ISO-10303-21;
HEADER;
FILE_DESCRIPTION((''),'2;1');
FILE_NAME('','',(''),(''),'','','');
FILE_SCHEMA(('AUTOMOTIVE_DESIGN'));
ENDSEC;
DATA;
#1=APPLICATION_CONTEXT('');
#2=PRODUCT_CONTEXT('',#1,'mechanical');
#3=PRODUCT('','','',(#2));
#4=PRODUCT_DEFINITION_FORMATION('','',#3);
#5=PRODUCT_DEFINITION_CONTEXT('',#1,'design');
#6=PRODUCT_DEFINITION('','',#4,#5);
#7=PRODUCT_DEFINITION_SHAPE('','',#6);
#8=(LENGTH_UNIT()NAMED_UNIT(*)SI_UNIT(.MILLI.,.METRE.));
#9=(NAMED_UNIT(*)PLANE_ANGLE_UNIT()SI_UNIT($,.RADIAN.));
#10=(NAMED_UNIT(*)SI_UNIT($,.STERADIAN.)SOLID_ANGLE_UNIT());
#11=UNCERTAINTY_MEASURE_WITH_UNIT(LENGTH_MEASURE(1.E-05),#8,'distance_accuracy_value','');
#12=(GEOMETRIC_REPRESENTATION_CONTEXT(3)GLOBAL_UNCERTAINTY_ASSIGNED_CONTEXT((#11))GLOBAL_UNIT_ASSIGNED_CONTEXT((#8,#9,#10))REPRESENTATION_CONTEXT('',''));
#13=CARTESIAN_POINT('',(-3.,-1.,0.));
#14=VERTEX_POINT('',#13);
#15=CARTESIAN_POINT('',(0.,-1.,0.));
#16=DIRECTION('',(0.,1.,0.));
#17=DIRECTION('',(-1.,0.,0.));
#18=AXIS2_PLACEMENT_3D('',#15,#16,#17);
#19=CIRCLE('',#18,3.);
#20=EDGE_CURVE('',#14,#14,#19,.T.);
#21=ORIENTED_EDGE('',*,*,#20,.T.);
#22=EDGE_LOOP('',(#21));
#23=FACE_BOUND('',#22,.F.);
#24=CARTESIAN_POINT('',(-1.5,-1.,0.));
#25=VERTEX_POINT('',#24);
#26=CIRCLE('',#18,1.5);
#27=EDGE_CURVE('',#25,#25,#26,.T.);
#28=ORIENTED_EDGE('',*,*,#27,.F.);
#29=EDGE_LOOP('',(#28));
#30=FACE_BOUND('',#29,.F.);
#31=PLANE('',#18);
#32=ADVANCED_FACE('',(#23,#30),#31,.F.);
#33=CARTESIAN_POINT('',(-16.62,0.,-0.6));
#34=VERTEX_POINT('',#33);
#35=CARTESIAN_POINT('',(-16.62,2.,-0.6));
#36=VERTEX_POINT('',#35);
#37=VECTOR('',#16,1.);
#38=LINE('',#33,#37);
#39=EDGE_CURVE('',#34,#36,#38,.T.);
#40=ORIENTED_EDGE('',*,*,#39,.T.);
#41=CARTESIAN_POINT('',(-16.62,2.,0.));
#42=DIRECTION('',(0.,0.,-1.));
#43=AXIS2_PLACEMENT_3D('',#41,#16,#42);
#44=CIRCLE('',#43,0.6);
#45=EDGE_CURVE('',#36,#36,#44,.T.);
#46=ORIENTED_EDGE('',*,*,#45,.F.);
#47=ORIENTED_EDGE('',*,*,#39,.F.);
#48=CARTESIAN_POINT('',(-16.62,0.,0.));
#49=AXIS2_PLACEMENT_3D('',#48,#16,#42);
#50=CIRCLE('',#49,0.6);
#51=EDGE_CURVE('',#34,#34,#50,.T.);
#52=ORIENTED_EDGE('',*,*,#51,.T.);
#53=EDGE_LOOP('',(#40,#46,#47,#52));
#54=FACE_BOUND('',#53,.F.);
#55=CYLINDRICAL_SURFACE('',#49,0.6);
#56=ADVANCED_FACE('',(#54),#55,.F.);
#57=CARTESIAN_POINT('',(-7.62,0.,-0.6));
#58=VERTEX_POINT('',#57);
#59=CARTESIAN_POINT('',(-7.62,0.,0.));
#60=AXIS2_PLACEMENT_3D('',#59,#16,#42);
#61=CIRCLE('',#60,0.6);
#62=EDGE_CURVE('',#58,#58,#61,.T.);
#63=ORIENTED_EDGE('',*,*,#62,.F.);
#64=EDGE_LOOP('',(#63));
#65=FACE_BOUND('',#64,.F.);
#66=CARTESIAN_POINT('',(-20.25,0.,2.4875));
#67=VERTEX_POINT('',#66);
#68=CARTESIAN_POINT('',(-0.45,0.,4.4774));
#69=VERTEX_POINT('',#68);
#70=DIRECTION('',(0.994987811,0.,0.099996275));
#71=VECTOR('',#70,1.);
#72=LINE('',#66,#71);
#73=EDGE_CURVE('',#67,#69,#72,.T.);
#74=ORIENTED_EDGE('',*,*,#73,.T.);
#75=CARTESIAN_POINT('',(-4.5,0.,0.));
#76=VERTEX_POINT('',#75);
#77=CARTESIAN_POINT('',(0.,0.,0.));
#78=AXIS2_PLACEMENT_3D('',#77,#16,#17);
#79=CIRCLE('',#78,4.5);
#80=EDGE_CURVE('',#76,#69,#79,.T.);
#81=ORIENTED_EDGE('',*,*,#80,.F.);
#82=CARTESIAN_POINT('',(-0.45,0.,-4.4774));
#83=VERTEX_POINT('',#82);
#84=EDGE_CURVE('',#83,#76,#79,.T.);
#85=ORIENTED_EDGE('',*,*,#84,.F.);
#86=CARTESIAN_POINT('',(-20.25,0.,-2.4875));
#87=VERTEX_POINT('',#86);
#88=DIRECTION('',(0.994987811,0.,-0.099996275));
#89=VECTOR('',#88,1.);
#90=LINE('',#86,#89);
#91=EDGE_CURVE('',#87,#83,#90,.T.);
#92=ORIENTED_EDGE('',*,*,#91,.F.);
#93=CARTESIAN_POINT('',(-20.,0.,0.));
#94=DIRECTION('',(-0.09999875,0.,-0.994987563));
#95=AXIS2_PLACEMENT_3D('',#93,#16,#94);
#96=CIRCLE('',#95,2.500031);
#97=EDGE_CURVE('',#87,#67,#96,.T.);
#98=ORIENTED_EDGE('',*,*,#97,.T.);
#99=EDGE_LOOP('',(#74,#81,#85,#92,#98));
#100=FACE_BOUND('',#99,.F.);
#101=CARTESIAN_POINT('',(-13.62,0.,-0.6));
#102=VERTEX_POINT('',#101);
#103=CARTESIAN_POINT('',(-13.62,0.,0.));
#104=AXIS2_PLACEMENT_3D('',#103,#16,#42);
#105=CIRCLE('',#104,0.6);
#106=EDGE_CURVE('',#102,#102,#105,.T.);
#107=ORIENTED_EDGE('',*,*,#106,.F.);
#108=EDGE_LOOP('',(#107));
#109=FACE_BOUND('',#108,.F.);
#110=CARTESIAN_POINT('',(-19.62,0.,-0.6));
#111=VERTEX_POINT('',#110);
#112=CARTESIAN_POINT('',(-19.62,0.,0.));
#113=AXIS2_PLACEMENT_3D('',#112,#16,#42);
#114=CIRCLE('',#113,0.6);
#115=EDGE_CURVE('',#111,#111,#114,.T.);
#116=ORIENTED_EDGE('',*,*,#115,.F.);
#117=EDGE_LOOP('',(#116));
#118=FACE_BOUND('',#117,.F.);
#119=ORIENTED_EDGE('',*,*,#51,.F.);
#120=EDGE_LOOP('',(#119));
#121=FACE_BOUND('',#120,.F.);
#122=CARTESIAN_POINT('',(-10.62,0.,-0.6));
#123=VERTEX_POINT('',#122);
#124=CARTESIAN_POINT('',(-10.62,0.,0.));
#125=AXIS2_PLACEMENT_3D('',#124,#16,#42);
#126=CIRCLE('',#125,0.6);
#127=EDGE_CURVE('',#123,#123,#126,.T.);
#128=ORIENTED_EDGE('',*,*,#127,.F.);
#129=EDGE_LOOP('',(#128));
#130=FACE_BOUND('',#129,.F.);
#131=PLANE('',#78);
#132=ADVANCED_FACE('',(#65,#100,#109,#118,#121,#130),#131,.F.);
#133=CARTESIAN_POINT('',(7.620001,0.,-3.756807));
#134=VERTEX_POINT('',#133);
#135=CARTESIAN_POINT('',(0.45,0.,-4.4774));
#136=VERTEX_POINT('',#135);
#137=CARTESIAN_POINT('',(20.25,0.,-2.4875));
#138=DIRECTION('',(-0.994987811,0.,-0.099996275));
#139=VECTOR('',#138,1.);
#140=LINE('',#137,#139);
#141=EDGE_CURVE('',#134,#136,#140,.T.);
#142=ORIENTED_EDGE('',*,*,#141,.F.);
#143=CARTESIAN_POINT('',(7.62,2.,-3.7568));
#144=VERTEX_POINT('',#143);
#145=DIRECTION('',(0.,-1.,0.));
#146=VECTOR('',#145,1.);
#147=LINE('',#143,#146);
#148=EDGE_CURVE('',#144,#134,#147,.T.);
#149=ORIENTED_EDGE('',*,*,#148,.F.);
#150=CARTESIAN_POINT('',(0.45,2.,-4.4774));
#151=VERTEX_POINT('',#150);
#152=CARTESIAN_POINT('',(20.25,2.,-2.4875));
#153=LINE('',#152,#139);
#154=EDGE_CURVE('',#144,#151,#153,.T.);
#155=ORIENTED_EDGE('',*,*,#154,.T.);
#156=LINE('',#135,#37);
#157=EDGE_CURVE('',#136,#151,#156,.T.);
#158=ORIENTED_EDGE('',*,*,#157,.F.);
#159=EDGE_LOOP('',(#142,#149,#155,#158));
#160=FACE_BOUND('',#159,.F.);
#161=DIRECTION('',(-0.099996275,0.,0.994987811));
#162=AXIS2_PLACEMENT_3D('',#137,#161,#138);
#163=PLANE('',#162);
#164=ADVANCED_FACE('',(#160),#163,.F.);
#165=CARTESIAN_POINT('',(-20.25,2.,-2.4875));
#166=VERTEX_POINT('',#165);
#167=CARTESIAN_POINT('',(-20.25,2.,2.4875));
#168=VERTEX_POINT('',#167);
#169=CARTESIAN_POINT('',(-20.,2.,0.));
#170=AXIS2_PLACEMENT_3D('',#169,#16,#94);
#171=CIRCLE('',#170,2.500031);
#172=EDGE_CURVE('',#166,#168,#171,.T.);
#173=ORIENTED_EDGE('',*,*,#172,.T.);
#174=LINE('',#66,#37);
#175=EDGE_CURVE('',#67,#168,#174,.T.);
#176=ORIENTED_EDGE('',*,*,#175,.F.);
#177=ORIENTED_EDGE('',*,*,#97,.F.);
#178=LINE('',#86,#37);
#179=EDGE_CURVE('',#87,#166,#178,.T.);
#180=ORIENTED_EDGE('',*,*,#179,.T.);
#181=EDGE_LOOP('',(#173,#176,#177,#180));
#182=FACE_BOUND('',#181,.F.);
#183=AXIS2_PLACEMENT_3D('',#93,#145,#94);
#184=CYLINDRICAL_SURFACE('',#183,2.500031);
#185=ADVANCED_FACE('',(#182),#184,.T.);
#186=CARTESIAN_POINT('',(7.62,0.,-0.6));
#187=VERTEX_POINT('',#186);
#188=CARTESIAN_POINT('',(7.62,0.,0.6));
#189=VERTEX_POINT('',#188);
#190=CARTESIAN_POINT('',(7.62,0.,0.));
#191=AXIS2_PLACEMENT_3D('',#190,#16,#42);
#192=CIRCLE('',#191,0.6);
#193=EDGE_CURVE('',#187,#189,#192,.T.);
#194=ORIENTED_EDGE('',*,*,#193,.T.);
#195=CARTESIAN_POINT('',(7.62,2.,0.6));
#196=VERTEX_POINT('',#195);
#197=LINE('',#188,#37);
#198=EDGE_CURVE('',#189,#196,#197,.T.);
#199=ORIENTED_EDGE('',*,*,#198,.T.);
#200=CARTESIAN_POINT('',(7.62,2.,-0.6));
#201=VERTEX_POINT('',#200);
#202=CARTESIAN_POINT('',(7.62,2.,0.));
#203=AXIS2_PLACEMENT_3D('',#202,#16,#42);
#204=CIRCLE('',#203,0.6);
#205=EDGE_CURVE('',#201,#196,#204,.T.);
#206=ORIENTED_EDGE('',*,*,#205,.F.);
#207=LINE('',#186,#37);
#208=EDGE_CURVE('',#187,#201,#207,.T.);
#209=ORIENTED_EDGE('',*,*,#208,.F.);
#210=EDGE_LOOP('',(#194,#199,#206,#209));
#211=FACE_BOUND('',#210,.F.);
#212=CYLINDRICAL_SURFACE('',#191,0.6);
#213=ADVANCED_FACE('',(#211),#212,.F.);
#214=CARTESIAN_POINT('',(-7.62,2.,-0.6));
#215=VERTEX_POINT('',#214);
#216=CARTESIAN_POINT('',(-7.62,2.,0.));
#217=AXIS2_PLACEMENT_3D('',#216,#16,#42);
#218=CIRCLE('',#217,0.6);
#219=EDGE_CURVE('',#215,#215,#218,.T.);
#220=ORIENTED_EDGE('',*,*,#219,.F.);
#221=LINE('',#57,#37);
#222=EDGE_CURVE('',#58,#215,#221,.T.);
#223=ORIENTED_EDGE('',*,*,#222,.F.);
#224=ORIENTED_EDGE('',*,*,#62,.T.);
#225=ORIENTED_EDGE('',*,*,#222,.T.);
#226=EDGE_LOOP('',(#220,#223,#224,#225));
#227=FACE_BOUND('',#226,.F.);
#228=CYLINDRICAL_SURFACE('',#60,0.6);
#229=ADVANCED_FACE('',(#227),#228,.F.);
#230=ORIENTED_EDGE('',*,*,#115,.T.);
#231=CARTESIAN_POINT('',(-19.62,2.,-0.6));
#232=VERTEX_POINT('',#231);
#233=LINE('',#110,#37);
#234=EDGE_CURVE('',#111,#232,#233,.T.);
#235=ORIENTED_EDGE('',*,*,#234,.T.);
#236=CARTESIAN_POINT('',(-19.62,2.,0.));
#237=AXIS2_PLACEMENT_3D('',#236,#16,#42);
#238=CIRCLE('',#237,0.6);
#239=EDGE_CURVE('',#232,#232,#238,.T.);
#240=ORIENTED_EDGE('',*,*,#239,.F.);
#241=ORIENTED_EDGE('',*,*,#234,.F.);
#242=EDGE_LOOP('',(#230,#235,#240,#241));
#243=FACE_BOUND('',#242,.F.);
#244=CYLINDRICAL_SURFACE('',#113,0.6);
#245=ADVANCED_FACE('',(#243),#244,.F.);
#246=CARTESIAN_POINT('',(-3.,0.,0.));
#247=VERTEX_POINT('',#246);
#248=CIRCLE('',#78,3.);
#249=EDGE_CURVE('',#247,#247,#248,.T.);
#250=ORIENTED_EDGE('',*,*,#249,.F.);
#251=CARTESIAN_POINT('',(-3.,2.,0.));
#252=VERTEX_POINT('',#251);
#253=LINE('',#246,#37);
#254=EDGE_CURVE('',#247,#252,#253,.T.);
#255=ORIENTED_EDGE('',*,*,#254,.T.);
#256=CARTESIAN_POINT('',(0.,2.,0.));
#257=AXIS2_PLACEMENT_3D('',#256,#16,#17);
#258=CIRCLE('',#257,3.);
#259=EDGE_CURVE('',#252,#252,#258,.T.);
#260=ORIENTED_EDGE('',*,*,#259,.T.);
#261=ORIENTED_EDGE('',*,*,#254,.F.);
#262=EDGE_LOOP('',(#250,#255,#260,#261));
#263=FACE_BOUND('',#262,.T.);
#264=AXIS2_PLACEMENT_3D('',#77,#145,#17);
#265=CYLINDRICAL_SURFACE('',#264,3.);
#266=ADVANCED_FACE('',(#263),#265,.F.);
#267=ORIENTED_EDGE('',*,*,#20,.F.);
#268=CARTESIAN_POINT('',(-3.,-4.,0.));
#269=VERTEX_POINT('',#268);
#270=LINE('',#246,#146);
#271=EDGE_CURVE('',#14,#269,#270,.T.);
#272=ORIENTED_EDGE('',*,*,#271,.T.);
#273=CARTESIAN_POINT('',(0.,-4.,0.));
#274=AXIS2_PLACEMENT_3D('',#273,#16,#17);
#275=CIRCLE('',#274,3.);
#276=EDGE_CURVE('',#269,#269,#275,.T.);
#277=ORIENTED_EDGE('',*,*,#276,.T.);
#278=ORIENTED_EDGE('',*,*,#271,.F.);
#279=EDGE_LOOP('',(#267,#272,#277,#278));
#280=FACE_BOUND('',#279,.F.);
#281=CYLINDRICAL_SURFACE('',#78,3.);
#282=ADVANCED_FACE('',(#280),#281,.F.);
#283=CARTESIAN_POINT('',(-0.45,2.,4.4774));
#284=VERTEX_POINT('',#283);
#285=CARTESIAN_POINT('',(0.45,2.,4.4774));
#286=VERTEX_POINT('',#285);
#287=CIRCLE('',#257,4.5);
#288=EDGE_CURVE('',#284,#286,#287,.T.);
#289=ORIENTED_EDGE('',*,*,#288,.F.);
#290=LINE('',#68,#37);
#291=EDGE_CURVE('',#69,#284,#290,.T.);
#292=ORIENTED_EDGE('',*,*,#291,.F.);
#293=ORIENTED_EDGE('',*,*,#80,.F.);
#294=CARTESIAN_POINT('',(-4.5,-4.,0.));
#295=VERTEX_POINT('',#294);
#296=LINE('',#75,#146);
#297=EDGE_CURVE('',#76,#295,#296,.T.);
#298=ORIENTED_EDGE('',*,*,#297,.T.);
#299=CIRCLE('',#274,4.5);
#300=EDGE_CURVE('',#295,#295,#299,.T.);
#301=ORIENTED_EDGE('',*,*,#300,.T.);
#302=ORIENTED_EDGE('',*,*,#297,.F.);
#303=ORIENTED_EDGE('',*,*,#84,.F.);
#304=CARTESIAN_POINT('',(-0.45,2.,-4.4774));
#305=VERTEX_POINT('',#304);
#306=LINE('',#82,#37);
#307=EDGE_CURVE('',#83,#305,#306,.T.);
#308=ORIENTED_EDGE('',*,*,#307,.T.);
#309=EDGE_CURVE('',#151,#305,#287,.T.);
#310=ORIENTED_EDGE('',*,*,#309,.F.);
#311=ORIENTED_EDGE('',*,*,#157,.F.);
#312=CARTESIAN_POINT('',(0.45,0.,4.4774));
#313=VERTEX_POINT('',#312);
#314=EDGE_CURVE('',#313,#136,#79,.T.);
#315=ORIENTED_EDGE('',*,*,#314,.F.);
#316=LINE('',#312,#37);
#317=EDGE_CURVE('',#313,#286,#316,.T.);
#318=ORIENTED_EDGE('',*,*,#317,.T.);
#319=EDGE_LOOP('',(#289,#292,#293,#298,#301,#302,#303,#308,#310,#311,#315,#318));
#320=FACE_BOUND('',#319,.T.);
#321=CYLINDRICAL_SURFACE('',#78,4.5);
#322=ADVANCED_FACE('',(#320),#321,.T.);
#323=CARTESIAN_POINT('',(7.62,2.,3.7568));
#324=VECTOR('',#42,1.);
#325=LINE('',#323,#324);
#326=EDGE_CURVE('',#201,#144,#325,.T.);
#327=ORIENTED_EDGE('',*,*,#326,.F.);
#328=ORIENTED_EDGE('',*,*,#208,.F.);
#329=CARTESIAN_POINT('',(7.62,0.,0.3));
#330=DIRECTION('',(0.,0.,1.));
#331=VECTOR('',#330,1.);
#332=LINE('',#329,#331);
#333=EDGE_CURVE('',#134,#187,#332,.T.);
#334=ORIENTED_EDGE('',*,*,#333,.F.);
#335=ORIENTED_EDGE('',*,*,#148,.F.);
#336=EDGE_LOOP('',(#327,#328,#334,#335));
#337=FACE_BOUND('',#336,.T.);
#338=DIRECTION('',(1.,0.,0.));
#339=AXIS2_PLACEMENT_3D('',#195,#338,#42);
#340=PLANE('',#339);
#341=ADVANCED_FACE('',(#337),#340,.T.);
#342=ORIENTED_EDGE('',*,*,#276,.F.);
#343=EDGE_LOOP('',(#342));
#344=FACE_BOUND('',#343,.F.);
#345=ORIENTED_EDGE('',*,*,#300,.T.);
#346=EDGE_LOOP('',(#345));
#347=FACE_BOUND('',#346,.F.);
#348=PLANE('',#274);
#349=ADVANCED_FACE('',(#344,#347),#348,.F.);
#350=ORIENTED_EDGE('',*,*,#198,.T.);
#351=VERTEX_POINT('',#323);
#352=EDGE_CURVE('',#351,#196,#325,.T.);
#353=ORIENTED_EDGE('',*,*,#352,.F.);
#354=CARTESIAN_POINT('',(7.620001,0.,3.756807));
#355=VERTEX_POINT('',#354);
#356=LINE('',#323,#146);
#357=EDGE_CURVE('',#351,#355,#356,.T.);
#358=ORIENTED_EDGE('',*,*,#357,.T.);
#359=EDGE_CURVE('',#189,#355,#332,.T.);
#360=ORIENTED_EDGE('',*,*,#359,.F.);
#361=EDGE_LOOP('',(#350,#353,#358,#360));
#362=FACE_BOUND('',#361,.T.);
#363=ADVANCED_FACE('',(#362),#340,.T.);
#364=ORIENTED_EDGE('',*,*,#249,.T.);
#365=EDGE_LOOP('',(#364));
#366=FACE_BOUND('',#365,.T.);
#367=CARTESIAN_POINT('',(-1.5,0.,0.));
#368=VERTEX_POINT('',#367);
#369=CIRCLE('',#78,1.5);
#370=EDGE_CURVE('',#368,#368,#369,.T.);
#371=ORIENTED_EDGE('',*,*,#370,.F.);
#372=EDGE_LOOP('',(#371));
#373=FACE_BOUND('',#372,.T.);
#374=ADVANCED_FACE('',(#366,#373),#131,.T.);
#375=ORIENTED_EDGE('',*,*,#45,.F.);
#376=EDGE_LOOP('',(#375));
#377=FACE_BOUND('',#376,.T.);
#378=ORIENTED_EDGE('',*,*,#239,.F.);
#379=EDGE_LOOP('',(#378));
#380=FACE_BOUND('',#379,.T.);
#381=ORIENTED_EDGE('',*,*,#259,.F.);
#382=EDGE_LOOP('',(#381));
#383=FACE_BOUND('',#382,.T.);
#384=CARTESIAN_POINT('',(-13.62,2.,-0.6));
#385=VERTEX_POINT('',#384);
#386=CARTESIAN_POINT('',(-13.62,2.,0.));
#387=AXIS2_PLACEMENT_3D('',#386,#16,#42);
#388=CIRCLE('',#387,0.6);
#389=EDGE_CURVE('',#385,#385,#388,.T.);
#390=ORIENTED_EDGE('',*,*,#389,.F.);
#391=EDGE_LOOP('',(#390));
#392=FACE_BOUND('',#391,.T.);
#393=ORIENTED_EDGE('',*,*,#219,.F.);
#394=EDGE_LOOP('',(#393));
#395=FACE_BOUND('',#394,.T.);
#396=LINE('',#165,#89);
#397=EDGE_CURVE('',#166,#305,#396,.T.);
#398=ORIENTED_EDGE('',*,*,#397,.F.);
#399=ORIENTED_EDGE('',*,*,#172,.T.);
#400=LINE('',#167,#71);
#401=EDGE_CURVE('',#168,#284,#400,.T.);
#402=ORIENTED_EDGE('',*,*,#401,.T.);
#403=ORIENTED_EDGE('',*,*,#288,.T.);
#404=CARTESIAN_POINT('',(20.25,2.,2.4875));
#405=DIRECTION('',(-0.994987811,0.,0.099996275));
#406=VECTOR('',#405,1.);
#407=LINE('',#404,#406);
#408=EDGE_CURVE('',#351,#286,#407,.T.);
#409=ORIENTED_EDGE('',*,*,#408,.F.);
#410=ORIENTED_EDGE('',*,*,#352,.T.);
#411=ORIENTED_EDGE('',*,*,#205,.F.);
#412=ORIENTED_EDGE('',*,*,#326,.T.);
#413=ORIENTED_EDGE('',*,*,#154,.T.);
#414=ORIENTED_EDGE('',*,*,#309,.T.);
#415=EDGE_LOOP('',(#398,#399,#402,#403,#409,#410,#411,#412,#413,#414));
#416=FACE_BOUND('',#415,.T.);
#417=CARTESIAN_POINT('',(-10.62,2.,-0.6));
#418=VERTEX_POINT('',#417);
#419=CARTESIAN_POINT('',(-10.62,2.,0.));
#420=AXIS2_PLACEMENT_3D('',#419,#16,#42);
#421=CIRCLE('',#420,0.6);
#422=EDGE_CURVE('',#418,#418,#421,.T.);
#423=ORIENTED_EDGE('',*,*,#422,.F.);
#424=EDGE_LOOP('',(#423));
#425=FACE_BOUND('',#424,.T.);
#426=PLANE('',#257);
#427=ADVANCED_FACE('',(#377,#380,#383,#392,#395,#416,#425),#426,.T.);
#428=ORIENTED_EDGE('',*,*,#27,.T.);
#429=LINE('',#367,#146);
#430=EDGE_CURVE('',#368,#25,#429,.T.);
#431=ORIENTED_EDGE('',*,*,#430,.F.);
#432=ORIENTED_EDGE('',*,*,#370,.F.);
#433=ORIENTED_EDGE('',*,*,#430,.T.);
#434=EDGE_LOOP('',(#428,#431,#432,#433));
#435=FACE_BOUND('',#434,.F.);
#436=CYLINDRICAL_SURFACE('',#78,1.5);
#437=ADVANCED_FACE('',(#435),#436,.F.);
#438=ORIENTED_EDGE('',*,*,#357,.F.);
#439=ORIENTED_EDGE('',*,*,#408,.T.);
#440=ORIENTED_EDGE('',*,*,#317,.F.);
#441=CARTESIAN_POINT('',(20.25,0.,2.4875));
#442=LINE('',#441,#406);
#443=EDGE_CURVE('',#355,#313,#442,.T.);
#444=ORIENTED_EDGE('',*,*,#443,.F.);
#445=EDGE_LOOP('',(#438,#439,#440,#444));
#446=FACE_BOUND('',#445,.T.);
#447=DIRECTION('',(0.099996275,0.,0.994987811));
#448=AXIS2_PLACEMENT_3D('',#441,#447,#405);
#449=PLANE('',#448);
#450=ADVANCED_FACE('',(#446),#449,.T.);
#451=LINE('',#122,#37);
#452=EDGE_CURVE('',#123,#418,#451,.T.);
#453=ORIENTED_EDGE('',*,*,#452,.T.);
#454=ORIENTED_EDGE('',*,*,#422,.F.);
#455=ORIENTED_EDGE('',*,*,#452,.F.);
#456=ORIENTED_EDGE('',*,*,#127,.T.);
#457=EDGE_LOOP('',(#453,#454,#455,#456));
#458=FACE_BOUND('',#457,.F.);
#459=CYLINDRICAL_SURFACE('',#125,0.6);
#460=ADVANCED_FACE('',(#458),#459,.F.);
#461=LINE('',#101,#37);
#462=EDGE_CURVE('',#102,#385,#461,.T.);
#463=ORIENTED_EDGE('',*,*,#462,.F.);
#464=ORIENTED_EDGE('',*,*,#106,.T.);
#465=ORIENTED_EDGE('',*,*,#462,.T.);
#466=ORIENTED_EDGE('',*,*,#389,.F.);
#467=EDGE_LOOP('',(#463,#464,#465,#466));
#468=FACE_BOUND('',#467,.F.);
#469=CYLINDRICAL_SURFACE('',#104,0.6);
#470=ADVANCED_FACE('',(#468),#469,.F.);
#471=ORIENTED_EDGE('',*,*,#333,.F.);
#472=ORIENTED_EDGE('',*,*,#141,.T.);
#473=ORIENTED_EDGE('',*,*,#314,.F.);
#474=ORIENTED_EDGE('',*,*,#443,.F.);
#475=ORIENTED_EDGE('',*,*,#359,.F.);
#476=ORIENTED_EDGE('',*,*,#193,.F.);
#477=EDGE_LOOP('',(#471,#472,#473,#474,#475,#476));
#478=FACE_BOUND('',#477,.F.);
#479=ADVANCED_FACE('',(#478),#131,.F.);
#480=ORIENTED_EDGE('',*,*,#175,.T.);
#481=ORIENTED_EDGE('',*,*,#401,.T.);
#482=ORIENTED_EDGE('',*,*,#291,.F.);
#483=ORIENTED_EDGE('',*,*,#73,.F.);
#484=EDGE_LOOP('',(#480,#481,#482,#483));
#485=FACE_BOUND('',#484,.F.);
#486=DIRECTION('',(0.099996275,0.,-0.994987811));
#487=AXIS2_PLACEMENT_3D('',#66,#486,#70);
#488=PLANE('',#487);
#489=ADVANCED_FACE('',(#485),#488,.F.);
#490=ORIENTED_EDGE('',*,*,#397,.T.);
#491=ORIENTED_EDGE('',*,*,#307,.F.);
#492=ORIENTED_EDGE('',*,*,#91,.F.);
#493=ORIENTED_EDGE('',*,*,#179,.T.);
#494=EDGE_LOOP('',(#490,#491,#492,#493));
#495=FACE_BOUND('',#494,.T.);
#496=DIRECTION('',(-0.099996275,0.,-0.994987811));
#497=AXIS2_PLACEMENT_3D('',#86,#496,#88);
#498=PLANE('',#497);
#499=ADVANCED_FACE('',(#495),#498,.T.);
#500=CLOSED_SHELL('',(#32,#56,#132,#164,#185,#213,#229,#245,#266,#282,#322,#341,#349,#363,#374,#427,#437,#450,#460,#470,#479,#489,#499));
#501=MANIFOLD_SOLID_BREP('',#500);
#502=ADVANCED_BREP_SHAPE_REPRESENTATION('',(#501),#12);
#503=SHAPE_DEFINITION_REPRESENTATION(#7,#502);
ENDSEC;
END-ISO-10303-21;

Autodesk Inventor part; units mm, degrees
ref_plane "YZ Plane" through (0, 0, 0) normal (1, 0, 0) x (0, 1, 0)
ref_plane "XZ Plane" through (0, 0, 0) normal (0, 1, 0) x (-1, 0, 0)
ref_plane "XY Plane" through (0, 0, 0) normal (0, 0, 1) x (1, 0, 0)
sketch "Sketch1" plane through (0, 0, 0) normal (0, 1, 0) x (-1, 0, 0)
  circle A0 centre (0, 0) radius 3
  circle A1 centre (0, 0) radius 4.5
  line L0 (0, 0) -> (7.62, 0) construction
  circle A2 centre (0, 0) radius 1.5
  line L1 (0, 0) -> (0, 4.5) construction
  arc A3 (20.25, -2.4875) -> (20.25, 2.4875) centre (20, 0) ccw
  line L2 (20, 0) -> (0, 0)
  arc A4 (-20.25, 2.4875) -> (-20.25, -2.4875) centre (-20, 0) ccw
  line L3 (20.25, 2.4875) -> (0.45, 4.4774)
  line L4 (20.25, -2.4875) -> (0.45, -4.4774)
  line L5 (-20.25, -2.4875) -> (-0.45, -4.4774)
  line L6 (-20.25, 2.4875) -> (-0.45, 4.4774)
  point P0 (10.62, 0)
  point P1 (13.62, 0)
  point P2 (16.62, 0)
  point P3 (19.62, 0)
  point P4 (-7.62, 0)
  point P5 (-7.62, 0)
  point P6 (-10.62, 0)
  point P7 (-13.62, 0)
  point P8 (-16.62, 0)
  point P9 (-19.62, 0)
  dimension "d0" = 6
  dimension "d1" = 9
  dimension "d2" = 7.62
  dimension "d6" = 3
  dimension "d9" = 3
  dimension "d14" = 2.5
  dimension "d15" = 40
extrude "Extrusion1" add sketch "Sketch1" along normal blind 2 contours A1 | A1 L3 A3 L4 | A1 L5 A4 L6
extrude "Extrusion2" add sketch "Sketch1" against normal blind 1 contours A0 | A1
extrude "Extrusion3" add sketch "Sketch1" against normal blind 4 contours A1
hole "Hole1" at (-7.62, 0, 0) at (-10.62, 0, 0) at (-13.62, 0, 0) at (-16.62, 0, 0) at (-19.62, 0, 0) at (19.62, 0, 0) at (16.62, 0, 0) at (13.62, 0, 0) at (10.62, 0, 0) at (7.62, 0, 0) direction (0, 1, 0) diameter 1.2 depth 8 tip angle 118
sketch "Sketch2" plane through (0, 2, 0) normal (0, 1, 0) x (1, 0, 0)
  circle A0 centre (10.62, 0) radius 0.6 projected
  circle A1 centre (16.62, 0) radius 0.6 projected
  circle A2 centre (19.62, 0) radius 0.6 projected
  circle A3 centre (13.62, 0) radius 0.6 projected
  circle A4 centre (7.62, 0) radius 0.6 projected
  line L0 (0.45, -4.4774) -> (20.25, -2.4875) projected
  arc A5 (20.25, -2.4875) -> (20.25, 2.4875) centre (20, 0) ccw projected
  line L1 (20.25, 2.4875) -> (0.45, 4.4774) projected
  line L2 (7.62, -3.7568) -> (7.62, 3.7568)
extrude "Extrusion4" cut sketch "Sketch2" against normal up to next contours A4 L2 | A4 L2 L1 A5 L0 picked at (7.7764, 0.1247)
properties part number "servo arm HK15138 2 cut to 1"
